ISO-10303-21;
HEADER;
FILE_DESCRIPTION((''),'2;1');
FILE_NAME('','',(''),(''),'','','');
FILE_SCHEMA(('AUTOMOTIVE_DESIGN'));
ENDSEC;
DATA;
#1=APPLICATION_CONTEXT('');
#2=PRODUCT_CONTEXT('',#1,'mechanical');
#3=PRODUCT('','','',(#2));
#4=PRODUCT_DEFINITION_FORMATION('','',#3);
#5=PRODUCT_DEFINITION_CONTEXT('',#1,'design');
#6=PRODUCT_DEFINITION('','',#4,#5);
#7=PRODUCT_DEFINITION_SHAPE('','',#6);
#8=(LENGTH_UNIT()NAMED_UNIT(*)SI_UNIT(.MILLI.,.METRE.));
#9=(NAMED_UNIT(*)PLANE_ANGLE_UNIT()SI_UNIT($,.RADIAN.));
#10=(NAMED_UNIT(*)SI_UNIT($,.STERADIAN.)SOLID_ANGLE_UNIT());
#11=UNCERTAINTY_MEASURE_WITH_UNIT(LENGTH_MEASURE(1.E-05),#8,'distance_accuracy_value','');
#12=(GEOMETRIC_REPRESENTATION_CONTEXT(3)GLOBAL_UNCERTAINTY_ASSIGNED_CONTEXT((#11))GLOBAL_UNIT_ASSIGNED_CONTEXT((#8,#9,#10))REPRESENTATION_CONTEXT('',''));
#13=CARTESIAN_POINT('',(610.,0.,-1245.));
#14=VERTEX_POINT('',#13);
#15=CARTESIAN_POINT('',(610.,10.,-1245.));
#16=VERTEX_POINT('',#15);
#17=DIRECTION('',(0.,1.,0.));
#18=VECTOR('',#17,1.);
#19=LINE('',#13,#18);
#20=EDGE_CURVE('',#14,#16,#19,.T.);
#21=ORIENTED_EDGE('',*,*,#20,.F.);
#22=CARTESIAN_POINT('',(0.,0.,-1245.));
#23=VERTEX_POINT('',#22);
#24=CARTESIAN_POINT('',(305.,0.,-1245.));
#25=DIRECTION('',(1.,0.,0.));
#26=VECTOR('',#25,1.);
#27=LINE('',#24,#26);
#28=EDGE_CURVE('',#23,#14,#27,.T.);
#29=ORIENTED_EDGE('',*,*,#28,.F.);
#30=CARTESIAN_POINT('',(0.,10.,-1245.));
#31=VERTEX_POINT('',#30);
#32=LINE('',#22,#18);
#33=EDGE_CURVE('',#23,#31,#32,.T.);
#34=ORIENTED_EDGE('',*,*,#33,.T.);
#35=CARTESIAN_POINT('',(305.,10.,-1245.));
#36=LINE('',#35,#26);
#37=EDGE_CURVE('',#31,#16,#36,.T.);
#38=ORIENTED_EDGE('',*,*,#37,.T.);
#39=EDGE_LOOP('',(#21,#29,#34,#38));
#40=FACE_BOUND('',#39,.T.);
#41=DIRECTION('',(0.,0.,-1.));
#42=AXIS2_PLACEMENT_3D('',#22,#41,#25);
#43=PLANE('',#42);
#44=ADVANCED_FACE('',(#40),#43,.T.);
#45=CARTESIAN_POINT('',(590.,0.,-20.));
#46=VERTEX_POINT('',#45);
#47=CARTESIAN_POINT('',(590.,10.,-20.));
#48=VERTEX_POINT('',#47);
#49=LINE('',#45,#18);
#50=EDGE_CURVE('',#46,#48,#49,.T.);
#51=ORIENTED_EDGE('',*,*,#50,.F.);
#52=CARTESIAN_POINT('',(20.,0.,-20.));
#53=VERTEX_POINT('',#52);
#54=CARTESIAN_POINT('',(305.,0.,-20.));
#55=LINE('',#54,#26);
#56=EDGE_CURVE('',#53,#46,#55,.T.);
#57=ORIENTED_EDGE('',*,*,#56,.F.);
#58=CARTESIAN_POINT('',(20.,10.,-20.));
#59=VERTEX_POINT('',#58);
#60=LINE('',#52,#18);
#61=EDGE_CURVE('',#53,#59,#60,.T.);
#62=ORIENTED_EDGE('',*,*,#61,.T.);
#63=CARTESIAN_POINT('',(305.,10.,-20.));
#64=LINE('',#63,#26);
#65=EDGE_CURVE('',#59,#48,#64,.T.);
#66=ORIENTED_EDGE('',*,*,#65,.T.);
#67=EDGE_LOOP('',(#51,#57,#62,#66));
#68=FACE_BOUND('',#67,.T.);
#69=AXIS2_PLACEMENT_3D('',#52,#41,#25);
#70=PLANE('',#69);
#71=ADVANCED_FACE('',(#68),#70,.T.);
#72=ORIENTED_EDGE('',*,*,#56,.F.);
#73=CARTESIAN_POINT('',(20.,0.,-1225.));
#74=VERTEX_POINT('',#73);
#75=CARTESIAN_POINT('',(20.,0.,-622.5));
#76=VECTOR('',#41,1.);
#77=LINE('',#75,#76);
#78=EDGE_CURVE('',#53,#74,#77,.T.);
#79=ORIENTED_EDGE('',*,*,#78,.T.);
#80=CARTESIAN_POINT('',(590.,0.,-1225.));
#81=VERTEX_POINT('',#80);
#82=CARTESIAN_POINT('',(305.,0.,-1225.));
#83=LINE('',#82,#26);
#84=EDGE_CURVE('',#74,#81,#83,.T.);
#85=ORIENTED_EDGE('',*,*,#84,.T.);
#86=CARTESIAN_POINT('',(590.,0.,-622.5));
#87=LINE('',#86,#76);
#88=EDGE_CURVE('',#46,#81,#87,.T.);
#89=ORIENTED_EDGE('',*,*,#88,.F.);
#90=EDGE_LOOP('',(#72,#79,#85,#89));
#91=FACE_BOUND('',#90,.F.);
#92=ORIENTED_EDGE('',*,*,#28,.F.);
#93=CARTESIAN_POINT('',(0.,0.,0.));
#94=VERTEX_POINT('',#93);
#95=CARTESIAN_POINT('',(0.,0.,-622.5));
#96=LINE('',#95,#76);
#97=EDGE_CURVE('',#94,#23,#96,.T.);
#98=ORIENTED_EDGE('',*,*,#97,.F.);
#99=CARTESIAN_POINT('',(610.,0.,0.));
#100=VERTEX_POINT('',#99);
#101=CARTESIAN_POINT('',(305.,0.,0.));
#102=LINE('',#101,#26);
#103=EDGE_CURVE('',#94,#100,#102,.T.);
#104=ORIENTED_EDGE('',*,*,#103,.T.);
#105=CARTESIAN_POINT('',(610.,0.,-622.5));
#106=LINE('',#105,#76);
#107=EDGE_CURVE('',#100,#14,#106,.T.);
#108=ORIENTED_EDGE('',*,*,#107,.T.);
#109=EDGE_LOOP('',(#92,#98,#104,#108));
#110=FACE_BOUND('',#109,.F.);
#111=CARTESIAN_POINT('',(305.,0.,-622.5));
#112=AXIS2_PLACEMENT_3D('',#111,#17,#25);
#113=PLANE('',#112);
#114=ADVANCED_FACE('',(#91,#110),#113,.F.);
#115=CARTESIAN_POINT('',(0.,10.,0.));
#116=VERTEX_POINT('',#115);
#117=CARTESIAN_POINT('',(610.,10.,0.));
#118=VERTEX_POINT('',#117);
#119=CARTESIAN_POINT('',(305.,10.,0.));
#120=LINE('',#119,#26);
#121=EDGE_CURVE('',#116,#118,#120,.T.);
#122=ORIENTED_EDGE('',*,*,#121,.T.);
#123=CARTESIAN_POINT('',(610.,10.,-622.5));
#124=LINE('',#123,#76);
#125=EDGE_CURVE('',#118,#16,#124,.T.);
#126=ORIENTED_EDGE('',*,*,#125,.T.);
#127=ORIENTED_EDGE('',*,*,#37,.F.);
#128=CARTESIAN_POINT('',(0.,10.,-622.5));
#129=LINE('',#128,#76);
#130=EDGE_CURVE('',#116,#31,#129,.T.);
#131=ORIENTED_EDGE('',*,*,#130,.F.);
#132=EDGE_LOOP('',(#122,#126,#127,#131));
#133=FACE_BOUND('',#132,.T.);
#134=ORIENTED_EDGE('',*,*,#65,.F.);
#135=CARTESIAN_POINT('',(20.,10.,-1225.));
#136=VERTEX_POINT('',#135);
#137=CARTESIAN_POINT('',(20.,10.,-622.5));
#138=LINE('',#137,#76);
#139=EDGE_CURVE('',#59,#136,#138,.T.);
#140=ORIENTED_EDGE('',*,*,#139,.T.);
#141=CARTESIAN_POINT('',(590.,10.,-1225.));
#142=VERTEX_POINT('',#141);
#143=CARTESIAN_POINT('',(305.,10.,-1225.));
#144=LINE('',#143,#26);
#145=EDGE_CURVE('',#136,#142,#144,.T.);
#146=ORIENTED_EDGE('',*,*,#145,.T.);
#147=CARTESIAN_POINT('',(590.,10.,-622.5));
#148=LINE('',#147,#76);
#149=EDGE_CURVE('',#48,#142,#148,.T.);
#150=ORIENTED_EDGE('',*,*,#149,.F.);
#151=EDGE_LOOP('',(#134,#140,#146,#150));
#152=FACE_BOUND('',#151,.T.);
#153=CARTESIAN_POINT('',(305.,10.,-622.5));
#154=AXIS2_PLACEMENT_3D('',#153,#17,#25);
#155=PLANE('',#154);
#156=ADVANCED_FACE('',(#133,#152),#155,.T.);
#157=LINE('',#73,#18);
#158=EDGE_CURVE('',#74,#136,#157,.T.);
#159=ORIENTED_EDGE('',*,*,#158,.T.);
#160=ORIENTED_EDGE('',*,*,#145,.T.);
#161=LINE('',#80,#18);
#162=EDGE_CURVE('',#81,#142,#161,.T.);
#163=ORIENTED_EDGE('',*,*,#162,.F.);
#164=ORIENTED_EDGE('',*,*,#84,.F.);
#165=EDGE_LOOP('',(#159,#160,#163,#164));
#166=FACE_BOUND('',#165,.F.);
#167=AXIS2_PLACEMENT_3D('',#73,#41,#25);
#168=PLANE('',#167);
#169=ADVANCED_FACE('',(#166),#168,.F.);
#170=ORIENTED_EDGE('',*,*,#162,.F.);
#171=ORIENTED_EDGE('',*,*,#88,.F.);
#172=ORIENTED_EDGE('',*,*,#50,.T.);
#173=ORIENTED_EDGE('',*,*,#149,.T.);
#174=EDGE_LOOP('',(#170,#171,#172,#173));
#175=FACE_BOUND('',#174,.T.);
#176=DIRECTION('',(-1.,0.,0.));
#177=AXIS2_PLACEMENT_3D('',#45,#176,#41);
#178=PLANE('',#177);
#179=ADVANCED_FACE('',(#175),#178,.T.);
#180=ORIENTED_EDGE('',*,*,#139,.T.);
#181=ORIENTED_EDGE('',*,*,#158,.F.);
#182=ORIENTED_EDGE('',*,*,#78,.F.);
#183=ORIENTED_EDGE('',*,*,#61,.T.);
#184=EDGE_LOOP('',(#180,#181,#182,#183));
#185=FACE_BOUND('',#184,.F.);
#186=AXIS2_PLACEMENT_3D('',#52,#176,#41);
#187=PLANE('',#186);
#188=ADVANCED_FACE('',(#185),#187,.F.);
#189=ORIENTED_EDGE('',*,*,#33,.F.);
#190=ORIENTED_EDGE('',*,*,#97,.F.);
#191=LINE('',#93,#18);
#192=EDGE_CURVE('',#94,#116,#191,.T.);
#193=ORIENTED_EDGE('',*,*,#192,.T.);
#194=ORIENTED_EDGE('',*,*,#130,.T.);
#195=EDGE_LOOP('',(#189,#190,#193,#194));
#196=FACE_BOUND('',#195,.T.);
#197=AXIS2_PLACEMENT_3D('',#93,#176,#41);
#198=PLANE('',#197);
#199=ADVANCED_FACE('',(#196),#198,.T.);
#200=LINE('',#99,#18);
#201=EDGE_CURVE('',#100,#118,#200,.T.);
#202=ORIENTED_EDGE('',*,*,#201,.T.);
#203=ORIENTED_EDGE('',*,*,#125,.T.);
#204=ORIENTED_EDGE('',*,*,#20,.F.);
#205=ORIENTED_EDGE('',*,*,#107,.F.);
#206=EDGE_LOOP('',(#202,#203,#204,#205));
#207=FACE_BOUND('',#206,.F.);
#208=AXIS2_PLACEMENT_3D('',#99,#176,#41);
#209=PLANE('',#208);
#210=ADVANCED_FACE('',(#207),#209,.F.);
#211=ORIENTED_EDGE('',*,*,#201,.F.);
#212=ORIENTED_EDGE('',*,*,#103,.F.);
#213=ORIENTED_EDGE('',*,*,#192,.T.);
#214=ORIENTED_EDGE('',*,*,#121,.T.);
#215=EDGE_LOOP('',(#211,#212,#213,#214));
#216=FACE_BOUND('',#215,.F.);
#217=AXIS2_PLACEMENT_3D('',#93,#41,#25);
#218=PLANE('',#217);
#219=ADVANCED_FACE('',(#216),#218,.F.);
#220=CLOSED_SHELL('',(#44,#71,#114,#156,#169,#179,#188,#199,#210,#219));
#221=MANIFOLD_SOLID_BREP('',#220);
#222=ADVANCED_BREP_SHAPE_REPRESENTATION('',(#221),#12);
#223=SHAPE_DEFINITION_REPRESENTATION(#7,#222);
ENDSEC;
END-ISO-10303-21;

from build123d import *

# Parameters (mm, degrees)
SKETCH_1_W      = 610
SKETCH_1_H      = 1245
SKETCH_1_W_2    = 570
SKETCH_1_H_2    = 1205
EXTRUDE_1_DEPTH = 10


with BuildPart() as part:
    # Эскиз1 → Вытянуть-Тонкостенный1 (new body)
    with BuildSketch(Plane(origin=(0, 0, 0), x_dir=(1, 0, 0), z_dir=(0, 1, 0))):
        with Locations((305, 622.5)):
            Rectangle(SKETCH_1_W, SKETCH_1_H)
        with Locations((305, 622.5)):
            Rectangle(SKETCH_1_W_2, SKETCH_1_H_2, mode=Mode.SUBTRACT)
    extrude(amount=EXTRUDE_1_DEPTH)


solid = part.part
